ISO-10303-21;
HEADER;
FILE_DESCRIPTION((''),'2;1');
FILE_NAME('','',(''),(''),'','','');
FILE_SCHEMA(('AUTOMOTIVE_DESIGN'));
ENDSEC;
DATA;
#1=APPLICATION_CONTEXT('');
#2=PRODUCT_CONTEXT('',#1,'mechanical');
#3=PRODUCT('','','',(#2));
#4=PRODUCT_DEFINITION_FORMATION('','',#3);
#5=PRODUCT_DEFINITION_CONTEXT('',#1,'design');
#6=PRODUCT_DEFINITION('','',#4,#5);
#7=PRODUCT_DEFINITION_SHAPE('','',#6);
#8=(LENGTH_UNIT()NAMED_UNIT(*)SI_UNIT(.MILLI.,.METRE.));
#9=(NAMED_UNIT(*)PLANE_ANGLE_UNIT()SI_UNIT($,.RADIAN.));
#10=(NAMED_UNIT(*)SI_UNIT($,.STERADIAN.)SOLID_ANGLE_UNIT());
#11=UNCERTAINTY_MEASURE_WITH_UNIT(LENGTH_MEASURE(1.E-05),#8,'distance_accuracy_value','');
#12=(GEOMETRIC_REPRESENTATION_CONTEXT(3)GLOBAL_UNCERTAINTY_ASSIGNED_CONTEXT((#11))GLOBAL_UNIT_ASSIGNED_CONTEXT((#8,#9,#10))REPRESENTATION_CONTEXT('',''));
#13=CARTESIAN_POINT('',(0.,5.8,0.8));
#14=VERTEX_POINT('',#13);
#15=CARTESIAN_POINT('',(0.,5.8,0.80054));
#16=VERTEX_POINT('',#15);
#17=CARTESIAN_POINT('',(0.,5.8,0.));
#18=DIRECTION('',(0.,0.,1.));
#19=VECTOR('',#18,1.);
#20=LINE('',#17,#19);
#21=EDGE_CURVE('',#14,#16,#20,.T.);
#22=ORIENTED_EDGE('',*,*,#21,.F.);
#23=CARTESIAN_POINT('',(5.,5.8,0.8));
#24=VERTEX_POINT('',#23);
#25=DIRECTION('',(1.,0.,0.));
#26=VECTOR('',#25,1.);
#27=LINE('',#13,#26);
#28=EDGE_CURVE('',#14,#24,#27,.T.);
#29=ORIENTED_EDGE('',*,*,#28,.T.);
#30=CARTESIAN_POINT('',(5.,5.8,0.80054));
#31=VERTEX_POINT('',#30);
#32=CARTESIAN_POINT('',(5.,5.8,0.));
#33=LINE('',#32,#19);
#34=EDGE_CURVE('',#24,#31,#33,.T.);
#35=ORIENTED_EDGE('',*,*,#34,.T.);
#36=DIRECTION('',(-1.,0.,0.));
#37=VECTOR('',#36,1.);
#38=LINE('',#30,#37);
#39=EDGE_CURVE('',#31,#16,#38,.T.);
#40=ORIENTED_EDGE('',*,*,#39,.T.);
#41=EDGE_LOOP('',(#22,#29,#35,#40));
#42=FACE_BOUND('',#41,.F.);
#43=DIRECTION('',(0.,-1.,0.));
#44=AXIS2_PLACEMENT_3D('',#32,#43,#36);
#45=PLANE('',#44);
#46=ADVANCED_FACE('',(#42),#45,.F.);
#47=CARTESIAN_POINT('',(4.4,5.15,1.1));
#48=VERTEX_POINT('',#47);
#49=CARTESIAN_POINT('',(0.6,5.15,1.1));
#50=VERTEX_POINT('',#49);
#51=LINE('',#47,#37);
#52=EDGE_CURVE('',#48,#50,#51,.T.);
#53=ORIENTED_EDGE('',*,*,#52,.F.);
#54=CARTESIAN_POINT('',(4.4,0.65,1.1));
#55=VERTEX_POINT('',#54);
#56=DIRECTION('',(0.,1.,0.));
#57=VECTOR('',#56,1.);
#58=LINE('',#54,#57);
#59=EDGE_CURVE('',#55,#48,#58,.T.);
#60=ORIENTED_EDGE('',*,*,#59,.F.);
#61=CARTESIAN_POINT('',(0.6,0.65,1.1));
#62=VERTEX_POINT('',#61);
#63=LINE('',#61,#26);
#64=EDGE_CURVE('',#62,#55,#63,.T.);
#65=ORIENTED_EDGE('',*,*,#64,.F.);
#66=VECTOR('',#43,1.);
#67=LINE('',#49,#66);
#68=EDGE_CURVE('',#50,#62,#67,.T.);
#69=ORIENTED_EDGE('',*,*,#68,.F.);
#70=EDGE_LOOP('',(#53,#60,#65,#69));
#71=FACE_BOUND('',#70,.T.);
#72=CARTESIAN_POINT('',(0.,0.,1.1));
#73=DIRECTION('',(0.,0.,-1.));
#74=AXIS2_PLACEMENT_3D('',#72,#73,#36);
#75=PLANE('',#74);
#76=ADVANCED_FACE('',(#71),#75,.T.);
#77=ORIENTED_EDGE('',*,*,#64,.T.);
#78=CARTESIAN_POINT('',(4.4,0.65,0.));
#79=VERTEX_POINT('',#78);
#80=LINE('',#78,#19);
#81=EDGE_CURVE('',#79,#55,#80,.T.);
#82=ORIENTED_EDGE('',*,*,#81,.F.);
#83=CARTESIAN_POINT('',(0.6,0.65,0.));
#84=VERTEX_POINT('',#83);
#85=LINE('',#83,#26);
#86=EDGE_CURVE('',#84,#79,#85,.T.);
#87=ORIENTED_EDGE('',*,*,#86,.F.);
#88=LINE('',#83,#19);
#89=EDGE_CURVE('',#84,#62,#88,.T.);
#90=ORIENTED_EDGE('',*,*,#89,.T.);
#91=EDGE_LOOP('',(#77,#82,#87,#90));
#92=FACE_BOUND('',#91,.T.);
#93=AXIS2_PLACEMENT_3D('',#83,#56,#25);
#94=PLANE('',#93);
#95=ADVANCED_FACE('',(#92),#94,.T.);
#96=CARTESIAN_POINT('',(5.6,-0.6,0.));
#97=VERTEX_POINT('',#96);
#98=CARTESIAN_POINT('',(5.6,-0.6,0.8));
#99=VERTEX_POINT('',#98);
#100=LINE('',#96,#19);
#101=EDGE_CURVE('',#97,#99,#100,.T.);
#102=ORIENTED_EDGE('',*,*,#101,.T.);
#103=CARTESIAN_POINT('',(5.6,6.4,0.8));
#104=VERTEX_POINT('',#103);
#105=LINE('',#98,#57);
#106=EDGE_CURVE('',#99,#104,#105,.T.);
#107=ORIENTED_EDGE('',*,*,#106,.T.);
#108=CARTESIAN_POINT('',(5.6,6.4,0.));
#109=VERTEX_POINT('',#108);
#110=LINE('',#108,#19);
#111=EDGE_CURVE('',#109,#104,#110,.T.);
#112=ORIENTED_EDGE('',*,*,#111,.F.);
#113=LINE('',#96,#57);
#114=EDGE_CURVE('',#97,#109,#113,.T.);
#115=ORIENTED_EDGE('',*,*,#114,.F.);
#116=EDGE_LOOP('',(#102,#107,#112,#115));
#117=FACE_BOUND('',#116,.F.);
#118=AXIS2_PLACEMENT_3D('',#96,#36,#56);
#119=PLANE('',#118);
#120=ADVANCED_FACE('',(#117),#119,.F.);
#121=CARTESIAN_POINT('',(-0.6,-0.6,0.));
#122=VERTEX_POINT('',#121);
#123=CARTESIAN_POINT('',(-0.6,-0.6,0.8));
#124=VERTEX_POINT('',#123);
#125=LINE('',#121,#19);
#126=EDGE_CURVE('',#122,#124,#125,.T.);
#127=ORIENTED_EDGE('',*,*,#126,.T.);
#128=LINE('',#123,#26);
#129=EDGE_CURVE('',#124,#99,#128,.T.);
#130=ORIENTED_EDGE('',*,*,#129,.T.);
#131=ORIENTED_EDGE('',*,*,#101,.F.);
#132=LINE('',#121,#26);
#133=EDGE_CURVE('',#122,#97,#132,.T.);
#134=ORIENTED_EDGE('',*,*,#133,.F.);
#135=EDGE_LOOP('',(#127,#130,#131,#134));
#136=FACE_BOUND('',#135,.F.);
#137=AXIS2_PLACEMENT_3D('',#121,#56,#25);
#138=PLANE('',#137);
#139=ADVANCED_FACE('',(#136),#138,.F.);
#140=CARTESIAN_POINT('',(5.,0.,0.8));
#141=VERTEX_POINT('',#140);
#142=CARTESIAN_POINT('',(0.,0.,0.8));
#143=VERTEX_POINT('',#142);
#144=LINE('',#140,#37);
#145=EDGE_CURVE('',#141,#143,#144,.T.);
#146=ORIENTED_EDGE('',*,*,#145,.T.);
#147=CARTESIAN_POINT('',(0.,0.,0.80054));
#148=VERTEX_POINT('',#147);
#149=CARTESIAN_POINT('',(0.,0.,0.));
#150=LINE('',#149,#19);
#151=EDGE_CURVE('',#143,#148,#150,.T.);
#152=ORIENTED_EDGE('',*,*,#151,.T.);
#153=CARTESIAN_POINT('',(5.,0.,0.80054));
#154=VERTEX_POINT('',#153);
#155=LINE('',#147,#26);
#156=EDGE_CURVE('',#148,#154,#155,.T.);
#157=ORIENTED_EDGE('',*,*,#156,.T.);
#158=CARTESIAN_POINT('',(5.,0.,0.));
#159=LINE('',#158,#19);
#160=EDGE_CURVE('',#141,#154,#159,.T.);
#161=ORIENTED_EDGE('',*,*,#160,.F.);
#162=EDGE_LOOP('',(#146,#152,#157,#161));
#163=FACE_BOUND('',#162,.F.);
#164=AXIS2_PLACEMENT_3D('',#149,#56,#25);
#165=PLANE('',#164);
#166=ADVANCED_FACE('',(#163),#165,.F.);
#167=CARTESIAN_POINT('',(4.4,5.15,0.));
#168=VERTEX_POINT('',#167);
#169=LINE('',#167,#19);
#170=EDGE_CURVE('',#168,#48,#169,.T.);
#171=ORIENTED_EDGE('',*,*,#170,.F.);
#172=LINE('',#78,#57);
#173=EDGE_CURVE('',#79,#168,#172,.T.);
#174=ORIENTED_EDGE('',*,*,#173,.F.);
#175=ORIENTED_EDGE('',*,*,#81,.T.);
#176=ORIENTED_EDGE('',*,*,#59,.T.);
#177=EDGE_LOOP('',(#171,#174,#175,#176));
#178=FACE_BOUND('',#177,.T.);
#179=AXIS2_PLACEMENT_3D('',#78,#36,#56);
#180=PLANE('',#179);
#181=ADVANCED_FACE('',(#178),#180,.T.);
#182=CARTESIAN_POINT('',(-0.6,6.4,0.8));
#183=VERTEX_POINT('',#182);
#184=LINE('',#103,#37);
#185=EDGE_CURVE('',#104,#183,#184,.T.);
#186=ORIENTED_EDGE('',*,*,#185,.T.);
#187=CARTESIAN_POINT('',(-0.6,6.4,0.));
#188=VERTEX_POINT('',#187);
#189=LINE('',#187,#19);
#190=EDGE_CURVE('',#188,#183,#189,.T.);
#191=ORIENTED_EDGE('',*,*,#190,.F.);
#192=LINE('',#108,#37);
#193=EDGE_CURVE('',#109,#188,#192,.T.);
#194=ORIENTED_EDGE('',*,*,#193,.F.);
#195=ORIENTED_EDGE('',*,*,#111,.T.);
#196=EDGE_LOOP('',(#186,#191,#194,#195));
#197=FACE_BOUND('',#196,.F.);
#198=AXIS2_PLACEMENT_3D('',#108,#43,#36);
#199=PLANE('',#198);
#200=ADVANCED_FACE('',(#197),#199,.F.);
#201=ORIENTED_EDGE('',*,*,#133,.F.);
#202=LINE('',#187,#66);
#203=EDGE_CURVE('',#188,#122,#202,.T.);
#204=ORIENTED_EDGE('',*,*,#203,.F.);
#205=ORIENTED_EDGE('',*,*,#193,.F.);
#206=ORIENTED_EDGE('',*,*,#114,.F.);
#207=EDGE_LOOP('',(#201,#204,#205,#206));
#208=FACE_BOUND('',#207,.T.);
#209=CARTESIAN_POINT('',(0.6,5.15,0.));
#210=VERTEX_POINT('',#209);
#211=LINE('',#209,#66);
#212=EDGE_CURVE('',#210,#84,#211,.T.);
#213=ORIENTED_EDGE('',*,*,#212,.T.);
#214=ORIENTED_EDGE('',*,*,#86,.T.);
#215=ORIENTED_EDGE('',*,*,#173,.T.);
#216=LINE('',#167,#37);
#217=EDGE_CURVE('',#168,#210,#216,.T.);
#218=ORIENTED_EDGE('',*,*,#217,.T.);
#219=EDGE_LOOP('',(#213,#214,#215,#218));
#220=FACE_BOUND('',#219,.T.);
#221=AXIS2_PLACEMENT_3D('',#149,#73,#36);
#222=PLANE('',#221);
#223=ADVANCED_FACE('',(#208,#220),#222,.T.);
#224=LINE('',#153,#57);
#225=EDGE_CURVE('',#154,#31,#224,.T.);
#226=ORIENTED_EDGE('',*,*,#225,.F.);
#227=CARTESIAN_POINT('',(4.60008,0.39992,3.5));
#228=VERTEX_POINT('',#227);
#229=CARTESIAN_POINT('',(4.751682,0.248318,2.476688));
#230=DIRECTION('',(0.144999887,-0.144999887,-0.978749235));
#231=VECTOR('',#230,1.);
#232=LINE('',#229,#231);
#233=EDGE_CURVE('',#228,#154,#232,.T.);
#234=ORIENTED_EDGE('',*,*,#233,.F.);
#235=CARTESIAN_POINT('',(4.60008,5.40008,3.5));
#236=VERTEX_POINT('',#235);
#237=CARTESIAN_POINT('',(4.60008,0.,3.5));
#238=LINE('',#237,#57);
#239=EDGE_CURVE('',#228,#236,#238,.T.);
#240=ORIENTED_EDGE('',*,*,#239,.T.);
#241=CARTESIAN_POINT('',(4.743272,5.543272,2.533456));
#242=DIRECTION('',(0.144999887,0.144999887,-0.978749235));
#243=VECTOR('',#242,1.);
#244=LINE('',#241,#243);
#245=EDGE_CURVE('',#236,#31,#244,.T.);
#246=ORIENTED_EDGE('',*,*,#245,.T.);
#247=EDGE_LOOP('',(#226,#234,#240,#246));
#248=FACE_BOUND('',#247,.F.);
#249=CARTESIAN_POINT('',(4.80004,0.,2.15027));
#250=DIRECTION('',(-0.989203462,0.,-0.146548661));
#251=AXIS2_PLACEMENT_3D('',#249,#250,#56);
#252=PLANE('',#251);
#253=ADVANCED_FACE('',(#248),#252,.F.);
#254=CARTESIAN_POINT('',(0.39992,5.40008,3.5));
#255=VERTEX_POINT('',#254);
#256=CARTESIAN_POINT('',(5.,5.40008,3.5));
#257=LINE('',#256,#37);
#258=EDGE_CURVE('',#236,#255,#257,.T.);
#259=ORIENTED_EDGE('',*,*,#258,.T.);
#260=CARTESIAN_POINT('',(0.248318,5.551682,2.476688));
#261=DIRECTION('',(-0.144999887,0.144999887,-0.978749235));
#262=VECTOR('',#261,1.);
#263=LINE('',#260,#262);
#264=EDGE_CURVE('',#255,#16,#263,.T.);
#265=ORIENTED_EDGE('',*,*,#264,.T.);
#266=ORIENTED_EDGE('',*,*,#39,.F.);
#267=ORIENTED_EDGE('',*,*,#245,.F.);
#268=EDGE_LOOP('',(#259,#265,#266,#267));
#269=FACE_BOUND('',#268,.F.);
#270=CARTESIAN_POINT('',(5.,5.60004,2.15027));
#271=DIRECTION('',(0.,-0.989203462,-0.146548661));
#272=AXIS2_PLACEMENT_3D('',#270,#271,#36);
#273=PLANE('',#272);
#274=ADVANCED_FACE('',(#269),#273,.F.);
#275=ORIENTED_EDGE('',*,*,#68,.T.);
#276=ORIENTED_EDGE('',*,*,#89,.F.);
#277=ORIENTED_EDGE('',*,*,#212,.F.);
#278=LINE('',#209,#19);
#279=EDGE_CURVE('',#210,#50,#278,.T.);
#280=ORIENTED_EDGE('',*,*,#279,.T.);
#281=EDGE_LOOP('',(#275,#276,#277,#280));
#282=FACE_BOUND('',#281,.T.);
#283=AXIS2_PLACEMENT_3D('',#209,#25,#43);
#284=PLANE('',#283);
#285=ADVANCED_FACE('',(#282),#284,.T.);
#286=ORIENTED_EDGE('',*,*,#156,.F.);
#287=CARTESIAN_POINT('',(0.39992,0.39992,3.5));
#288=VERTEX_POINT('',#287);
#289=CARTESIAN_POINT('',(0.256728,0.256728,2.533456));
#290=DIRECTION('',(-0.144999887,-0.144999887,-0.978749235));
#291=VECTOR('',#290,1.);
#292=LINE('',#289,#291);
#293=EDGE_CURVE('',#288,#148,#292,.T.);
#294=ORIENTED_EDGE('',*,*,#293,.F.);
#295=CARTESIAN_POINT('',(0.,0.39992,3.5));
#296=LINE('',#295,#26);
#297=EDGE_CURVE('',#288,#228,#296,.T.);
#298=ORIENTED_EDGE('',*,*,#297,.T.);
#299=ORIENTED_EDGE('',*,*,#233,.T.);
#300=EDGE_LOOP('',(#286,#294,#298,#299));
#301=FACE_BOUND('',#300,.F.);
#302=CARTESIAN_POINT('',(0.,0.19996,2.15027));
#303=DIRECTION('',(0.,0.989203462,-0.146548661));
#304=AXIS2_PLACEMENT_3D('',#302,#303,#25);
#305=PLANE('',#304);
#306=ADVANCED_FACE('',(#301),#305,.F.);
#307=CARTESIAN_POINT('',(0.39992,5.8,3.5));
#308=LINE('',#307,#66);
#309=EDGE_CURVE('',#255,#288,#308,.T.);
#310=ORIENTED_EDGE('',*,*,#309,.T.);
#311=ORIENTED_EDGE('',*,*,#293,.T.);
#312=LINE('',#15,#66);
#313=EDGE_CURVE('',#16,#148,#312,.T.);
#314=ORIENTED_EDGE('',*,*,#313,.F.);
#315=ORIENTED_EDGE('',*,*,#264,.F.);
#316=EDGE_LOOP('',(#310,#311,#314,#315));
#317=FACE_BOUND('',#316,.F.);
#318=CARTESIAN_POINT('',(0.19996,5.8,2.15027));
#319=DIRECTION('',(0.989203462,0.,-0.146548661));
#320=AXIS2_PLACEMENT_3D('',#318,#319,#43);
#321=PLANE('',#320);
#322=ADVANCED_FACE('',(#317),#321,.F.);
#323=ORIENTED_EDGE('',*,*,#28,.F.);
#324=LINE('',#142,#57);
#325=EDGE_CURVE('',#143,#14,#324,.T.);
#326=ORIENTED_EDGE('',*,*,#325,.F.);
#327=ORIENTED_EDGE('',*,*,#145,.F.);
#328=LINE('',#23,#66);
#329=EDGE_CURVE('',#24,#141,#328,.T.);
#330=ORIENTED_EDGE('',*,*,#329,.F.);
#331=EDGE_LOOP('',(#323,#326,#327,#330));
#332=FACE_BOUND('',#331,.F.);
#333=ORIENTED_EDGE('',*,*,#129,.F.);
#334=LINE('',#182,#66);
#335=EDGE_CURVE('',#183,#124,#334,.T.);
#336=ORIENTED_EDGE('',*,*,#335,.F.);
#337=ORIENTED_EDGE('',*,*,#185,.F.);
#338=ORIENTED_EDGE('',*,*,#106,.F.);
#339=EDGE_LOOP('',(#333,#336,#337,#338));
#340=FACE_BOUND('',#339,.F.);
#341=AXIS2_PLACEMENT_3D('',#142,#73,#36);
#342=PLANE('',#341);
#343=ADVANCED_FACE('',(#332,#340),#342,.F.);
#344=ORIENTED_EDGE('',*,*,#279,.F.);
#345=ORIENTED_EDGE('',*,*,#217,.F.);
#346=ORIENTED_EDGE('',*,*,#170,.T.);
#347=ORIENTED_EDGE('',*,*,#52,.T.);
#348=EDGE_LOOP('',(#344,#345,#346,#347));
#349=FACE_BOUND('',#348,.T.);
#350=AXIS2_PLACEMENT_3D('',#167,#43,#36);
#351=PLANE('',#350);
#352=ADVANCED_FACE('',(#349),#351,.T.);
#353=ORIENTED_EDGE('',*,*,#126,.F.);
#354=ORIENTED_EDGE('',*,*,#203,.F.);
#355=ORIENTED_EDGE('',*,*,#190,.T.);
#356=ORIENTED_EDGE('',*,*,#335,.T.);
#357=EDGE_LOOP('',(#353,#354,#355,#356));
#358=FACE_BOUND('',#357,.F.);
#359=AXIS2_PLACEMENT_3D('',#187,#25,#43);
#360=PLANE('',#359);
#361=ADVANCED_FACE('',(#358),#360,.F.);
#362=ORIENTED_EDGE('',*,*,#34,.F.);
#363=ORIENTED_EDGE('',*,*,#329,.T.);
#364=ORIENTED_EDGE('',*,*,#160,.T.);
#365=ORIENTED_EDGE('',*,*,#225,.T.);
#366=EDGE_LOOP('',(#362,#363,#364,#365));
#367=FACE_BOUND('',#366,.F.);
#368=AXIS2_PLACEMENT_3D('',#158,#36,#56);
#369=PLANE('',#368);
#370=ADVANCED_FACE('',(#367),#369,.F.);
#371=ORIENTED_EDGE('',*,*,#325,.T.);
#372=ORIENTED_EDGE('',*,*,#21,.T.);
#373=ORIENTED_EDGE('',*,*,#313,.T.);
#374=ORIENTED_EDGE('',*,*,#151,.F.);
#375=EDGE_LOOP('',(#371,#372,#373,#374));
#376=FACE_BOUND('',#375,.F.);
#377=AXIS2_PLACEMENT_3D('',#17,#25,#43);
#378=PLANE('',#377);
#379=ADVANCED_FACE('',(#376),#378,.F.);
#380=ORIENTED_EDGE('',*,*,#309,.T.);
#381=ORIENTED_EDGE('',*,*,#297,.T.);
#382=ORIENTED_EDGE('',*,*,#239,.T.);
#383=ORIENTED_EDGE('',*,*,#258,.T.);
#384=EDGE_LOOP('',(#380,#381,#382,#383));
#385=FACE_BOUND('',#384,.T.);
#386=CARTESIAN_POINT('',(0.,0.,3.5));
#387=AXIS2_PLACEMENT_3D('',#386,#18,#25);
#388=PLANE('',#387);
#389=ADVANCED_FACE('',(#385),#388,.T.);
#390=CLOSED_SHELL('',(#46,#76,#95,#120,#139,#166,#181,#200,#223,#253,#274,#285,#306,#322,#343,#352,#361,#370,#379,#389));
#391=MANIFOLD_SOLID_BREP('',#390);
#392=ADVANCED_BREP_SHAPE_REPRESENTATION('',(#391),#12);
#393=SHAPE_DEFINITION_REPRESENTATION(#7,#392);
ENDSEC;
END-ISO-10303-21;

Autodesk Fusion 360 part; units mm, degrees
sketch "Sketch1" plane through (0, 0, 0) normal (0, 0, 1) x (1, 0, 0)
  line L0 (0, 0) -> (5, 0)
  line L1 (5, 0) -> (5, 5.8)
  line L2 (5, 5.8) -> (0, 5.8)
  line L3 (0, 5.8) -> (0, 0)
  dimension "d1" = 5
  dimension "d2" = 5.8
extrude "Extrude1" add sketch "Sketch1" along normal blind 3.5
sketch "Sketch2" plane through (0, 0, 0) normal (0, 0, -1) x (-1, 0, 0)
  line L0 (0, 0) -> (0, 5.8)
  line L1 (0, 5.8) -> (-5, 5.8)
  line L2 (-5, 5.8) -> (-5, 0)
  line L3 (-5, 0) -> (0, 0)
  line L4 (-4.4, 5.15) -> (-0.6, 5.15)
  line L5 (-0.6, 5.15) -> (-0.6, 0.65)
  line L6 (-0.6, 0.65) -> (-4.4, 0.65)
  line L7 (-4.4, 0.65) -> (-4.4, 5.15)
  dimension "d5" = 3.8
  dimension "d6" = 4.5
  dimension "d7" = 0.6
  dimension "d8" = 0.65
extrude "Extrude2" cut sketch "Sketch2" against normal blind 1.1 contours L4 L5 L6 L7
sketch "Sketch3" plane through (0, 0, 0) normal (0, 0, -1) x (-1, 0, 0)
  line L0 (-0.6, 5.15) -> (-0.6, 0.65)
  line L1 (-0.6, 0.65) -> (-4.4, 0.65)
  line L2 (-4.4, 0.65) -> (-4.4, 5.15)
  line L3 (-4.4, 5.15) -> (-0.6, 5.15)
  line L4 (0, 0) -> (0, 5.8)
  line L5 (0, 5.8) -> (-5, 5.8)
  line L6 (-5, 5.8) -> (-5, 0)
  line L7 (-5, 0) -> (0, 0)
  line L8 (-5.6, 6.4) -> (0.6, 6.4)
  line L9 (0.6, 6.4) -> (0.6, -0.6)
  line L10 (0.6, -0.6) -> (-5.6, -0.6)
  line L11 (-5.6, -0.6) -> (-5.6, 6.4)
  dimension "d11" = 0.6
  dimension "d12" = 0.6
  dimension "d13" = 0.6
  dimension "d14" = 0.6
extrude "Extrude3" add sketch "Sketch3" against normal blind 0.8 contours L8 L9 L10 L11
chamfer "Chamfer1" distance 0.4 distance2 2.7 4 edges at (5, 2.9, 3.5) (2.5, 5.8, 3.5) (0, 2.9, 3.5) (2.5, 0, 3.5) measured on face at (1.6667, 3.8667, 3.5) measured on face at (1.6667, 3.8667, 3.5) measured on face at (1.6667, 3.8667, 3.5) measured on face at (1.6667, 3.8667, 3.5)
